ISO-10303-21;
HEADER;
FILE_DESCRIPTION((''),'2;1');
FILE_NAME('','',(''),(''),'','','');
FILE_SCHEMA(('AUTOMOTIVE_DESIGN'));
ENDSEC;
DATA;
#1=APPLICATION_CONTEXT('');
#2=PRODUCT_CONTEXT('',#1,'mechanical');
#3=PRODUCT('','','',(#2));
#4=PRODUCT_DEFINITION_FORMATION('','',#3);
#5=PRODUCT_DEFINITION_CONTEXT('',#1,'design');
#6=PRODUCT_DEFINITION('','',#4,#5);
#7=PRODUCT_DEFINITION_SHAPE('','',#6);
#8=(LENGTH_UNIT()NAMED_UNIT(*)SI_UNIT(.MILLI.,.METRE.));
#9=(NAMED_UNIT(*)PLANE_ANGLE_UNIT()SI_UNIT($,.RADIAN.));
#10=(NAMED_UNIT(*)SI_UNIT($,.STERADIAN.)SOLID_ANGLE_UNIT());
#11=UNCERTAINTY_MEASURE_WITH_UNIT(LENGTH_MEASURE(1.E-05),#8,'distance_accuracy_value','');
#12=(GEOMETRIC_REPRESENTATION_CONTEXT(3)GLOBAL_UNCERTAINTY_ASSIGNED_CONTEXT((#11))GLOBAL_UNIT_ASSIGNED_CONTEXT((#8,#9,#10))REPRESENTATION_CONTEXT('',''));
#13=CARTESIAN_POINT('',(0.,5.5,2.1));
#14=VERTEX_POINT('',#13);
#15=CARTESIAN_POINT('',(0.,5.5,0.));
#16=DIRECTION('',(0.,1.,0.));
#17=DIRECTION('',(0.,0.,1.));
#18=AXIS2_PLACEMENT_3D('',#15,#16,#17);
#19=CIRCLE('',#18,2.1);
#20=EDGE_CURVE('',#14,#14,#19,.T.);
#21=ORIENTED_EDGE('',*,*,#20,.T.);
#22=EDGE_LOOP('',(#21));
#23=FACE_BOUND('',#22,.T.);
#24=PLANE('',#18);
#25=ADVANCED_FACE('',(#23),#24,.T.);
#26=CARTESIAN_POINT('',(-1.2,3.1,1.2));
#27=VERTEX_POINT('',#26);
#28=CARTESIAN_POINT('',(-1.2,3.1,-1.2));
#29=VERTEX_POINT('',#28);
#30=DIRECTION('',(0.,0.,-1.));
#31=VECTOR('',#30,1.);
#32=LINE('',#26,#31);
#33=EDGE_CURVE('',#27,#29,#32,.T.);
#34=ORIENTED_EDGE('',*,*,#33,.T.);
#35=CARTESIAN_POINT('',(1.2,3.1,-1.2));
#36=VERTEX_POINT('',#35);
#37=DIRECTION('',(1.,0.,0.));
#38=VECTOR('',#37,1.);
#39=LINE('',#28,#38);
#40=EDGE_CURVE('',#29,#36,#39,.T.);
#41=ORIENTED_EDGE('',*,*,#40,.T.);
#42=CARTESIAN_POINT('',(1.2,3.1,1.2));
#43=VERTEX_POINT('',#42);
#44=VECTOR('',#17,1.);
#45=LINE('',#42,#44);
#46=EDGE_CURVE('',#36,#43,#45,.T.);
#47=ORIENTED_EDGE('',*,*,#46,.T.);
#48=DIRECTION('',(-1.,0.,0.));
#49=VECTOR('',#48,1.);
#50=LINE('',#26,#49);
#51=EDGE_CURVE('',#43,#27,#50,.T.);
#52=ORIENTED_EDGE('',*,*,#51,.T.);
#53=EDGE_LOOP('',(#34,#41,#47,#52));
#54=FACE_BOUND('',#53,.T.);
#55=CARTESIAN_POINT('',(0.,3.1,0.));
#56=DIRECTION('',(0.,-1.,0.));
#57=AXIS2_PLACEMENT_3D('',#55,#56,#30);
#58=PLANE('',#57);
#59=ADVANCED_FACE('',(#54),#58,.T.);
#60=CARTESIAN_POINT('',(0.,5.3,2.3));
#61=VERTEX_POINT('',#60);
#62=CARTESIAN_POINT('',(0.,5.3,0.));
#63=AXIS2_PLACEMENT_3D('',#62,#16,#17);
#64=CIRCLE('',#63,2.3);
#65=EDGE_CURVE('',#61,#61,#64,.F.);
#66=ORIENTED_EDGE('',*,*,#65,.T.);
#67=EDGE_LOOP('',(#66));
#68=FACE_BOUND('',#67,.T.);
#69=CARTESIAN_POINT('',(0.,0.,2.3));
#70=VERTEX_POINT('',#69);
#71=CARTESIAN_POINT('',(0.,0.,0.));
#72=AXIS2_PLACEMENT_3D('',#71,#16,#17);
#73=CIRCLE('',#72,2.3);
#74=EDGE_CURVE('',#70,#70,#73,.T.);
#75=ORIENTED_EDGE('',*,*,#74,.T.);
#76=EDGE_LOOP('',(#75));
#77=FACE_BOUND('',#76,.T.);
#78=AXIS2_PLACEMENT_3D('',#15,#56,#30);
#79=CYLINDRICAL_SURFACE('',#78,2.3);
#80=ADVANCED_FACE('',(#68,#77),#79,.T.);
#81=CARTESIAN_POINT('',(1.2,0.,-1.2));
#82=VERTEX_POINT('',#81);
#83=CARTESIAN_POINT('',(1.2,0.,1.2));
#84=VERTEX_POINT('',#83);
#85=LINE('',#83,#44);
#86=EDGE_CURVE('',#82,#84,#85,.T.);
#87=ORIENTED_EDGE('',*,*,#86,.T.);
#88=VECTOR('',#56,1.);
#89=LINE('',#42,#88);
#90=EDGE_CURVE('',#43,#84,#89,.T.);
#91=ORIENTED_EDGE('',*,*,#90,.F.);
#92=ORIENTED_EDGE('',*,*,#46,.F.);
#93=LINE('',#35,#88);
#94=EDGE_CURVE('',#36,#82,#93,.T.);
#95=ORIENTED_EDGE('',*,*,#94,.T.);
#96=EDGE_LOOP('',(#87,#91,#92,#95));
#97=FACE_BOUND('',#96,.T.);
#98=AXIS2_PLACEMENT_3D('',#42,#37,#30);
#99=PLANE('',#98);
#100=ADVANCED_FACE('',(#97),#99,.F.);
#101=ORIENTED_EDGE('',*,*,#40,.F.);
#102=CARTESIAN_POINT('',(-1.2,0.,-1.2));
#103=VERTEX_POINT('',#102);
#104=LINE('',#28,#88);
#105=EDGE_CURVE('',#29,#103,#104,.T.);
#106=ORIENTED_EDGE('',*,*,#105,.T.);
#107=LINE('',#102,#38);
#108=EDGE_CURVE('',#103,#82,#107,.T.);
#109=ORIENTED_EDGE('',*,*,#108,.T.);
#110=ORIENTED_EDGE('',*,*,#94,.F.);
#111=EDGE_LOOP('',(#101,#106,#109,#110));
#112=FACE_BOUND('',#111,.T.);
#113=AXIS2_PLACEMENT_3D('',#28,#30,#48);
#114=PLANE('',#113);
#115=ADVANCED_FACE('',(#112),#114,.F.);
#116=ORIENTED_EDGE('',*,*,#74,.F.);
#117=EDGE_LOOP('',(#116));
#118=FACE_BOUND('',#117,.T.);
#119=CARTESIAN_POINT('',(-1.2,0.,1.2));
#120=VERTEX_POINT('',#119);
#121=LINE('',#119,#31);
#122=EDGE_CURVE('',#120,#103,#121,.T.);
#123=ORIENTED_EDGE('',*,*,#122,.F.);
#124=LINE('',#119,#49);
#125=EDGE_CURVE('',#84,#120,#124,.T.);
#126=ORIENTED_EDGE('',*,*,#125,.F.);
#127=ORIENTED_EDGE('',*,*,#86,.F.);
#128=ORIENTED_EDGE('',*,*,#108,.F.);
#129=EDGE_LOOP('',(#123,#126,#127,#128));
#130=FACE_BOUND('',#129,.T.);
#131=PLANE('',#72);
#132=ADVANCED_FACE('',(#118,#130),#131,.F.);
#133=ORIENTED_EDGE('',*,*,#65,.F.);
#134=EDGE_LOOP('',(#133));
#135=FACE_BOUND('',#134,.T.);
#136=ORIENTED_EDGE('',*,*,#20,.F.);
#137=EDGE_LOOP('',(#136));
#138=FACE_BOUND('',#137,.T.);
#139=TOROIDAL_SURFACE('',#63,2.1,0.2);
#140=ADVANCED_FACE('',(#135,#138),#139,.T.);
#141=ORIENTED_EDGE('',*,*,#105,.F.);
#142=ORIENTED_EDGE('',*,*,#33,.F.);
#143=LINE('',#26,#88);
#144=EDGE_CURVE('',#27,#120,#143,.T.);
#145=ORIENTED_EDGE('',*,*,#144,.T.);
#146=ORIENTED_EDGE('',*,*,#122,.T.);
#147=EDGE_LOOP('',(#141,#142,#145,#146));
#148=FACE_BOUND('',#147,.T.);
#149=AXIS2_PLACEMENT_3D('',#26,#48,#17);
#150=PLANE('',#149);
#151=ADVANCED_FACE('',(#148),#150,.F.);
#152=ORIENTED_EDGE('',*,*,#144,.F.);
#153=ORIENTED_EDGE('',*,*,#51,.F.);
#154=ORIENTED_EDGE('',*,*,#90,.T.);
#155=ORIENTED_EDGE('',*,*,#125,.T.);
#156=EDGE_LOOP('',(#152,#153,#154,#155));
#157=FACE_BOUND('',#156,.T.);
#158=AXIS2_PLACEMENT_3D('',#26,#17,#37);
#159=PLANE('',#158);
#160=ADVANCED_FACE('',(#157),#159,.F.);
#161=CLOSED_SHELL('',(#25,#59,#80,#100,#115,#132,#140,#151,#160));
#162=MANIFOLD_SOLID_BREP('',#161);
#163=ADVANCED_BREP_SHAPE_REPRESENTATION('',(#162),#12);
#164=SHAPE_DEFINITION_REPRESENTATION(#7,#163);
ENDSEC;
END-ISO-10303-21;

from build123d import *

# Parameters (mm, degrees)
SKETCH_1_R          = 2.3
EXTRUDE_1_DEPTH     = 5.5
FILLET_1_R          = 0.2
SKETCH_2_W          = 2.4
SKETCH_2_H          = 2.4
CUT_EXTRUDE_1_DEPTH = 3.1


with BuildPart() as part:
    # 草图1 → 凸台-拉伸1 (new body)
    with BuildSketch(Plane(origin=(0, 0, 0), x_dir=(1, 0, 0), z_dir=(0, 1, 0))):
        with Locations(Location((0, 0, 0), (0, 0, 270))):
            Circle(SKETCH_1_R)
    extrude(amount=EXTRUDE_1_DEPTH)

    # 圆角1
    fillet_1_edges = [part.edges().sort_by_distance(p)[0] for p in [
        (0, 5.5, -2.3),
    ]]
    fillet(fillet_1_edges, radius=FILLET_1_R)

    # 草图2 → 切除-拉伸1 (cut)
    with BuildSketch(Plane.XZ):
        Rectangle(SKETCH_2_W, SKETCH_2_H)
    extrude(amount=-CUT_EXTRUDE_1_DEPTH, mode=Mode.SUBTRACT)


solid = part.part
